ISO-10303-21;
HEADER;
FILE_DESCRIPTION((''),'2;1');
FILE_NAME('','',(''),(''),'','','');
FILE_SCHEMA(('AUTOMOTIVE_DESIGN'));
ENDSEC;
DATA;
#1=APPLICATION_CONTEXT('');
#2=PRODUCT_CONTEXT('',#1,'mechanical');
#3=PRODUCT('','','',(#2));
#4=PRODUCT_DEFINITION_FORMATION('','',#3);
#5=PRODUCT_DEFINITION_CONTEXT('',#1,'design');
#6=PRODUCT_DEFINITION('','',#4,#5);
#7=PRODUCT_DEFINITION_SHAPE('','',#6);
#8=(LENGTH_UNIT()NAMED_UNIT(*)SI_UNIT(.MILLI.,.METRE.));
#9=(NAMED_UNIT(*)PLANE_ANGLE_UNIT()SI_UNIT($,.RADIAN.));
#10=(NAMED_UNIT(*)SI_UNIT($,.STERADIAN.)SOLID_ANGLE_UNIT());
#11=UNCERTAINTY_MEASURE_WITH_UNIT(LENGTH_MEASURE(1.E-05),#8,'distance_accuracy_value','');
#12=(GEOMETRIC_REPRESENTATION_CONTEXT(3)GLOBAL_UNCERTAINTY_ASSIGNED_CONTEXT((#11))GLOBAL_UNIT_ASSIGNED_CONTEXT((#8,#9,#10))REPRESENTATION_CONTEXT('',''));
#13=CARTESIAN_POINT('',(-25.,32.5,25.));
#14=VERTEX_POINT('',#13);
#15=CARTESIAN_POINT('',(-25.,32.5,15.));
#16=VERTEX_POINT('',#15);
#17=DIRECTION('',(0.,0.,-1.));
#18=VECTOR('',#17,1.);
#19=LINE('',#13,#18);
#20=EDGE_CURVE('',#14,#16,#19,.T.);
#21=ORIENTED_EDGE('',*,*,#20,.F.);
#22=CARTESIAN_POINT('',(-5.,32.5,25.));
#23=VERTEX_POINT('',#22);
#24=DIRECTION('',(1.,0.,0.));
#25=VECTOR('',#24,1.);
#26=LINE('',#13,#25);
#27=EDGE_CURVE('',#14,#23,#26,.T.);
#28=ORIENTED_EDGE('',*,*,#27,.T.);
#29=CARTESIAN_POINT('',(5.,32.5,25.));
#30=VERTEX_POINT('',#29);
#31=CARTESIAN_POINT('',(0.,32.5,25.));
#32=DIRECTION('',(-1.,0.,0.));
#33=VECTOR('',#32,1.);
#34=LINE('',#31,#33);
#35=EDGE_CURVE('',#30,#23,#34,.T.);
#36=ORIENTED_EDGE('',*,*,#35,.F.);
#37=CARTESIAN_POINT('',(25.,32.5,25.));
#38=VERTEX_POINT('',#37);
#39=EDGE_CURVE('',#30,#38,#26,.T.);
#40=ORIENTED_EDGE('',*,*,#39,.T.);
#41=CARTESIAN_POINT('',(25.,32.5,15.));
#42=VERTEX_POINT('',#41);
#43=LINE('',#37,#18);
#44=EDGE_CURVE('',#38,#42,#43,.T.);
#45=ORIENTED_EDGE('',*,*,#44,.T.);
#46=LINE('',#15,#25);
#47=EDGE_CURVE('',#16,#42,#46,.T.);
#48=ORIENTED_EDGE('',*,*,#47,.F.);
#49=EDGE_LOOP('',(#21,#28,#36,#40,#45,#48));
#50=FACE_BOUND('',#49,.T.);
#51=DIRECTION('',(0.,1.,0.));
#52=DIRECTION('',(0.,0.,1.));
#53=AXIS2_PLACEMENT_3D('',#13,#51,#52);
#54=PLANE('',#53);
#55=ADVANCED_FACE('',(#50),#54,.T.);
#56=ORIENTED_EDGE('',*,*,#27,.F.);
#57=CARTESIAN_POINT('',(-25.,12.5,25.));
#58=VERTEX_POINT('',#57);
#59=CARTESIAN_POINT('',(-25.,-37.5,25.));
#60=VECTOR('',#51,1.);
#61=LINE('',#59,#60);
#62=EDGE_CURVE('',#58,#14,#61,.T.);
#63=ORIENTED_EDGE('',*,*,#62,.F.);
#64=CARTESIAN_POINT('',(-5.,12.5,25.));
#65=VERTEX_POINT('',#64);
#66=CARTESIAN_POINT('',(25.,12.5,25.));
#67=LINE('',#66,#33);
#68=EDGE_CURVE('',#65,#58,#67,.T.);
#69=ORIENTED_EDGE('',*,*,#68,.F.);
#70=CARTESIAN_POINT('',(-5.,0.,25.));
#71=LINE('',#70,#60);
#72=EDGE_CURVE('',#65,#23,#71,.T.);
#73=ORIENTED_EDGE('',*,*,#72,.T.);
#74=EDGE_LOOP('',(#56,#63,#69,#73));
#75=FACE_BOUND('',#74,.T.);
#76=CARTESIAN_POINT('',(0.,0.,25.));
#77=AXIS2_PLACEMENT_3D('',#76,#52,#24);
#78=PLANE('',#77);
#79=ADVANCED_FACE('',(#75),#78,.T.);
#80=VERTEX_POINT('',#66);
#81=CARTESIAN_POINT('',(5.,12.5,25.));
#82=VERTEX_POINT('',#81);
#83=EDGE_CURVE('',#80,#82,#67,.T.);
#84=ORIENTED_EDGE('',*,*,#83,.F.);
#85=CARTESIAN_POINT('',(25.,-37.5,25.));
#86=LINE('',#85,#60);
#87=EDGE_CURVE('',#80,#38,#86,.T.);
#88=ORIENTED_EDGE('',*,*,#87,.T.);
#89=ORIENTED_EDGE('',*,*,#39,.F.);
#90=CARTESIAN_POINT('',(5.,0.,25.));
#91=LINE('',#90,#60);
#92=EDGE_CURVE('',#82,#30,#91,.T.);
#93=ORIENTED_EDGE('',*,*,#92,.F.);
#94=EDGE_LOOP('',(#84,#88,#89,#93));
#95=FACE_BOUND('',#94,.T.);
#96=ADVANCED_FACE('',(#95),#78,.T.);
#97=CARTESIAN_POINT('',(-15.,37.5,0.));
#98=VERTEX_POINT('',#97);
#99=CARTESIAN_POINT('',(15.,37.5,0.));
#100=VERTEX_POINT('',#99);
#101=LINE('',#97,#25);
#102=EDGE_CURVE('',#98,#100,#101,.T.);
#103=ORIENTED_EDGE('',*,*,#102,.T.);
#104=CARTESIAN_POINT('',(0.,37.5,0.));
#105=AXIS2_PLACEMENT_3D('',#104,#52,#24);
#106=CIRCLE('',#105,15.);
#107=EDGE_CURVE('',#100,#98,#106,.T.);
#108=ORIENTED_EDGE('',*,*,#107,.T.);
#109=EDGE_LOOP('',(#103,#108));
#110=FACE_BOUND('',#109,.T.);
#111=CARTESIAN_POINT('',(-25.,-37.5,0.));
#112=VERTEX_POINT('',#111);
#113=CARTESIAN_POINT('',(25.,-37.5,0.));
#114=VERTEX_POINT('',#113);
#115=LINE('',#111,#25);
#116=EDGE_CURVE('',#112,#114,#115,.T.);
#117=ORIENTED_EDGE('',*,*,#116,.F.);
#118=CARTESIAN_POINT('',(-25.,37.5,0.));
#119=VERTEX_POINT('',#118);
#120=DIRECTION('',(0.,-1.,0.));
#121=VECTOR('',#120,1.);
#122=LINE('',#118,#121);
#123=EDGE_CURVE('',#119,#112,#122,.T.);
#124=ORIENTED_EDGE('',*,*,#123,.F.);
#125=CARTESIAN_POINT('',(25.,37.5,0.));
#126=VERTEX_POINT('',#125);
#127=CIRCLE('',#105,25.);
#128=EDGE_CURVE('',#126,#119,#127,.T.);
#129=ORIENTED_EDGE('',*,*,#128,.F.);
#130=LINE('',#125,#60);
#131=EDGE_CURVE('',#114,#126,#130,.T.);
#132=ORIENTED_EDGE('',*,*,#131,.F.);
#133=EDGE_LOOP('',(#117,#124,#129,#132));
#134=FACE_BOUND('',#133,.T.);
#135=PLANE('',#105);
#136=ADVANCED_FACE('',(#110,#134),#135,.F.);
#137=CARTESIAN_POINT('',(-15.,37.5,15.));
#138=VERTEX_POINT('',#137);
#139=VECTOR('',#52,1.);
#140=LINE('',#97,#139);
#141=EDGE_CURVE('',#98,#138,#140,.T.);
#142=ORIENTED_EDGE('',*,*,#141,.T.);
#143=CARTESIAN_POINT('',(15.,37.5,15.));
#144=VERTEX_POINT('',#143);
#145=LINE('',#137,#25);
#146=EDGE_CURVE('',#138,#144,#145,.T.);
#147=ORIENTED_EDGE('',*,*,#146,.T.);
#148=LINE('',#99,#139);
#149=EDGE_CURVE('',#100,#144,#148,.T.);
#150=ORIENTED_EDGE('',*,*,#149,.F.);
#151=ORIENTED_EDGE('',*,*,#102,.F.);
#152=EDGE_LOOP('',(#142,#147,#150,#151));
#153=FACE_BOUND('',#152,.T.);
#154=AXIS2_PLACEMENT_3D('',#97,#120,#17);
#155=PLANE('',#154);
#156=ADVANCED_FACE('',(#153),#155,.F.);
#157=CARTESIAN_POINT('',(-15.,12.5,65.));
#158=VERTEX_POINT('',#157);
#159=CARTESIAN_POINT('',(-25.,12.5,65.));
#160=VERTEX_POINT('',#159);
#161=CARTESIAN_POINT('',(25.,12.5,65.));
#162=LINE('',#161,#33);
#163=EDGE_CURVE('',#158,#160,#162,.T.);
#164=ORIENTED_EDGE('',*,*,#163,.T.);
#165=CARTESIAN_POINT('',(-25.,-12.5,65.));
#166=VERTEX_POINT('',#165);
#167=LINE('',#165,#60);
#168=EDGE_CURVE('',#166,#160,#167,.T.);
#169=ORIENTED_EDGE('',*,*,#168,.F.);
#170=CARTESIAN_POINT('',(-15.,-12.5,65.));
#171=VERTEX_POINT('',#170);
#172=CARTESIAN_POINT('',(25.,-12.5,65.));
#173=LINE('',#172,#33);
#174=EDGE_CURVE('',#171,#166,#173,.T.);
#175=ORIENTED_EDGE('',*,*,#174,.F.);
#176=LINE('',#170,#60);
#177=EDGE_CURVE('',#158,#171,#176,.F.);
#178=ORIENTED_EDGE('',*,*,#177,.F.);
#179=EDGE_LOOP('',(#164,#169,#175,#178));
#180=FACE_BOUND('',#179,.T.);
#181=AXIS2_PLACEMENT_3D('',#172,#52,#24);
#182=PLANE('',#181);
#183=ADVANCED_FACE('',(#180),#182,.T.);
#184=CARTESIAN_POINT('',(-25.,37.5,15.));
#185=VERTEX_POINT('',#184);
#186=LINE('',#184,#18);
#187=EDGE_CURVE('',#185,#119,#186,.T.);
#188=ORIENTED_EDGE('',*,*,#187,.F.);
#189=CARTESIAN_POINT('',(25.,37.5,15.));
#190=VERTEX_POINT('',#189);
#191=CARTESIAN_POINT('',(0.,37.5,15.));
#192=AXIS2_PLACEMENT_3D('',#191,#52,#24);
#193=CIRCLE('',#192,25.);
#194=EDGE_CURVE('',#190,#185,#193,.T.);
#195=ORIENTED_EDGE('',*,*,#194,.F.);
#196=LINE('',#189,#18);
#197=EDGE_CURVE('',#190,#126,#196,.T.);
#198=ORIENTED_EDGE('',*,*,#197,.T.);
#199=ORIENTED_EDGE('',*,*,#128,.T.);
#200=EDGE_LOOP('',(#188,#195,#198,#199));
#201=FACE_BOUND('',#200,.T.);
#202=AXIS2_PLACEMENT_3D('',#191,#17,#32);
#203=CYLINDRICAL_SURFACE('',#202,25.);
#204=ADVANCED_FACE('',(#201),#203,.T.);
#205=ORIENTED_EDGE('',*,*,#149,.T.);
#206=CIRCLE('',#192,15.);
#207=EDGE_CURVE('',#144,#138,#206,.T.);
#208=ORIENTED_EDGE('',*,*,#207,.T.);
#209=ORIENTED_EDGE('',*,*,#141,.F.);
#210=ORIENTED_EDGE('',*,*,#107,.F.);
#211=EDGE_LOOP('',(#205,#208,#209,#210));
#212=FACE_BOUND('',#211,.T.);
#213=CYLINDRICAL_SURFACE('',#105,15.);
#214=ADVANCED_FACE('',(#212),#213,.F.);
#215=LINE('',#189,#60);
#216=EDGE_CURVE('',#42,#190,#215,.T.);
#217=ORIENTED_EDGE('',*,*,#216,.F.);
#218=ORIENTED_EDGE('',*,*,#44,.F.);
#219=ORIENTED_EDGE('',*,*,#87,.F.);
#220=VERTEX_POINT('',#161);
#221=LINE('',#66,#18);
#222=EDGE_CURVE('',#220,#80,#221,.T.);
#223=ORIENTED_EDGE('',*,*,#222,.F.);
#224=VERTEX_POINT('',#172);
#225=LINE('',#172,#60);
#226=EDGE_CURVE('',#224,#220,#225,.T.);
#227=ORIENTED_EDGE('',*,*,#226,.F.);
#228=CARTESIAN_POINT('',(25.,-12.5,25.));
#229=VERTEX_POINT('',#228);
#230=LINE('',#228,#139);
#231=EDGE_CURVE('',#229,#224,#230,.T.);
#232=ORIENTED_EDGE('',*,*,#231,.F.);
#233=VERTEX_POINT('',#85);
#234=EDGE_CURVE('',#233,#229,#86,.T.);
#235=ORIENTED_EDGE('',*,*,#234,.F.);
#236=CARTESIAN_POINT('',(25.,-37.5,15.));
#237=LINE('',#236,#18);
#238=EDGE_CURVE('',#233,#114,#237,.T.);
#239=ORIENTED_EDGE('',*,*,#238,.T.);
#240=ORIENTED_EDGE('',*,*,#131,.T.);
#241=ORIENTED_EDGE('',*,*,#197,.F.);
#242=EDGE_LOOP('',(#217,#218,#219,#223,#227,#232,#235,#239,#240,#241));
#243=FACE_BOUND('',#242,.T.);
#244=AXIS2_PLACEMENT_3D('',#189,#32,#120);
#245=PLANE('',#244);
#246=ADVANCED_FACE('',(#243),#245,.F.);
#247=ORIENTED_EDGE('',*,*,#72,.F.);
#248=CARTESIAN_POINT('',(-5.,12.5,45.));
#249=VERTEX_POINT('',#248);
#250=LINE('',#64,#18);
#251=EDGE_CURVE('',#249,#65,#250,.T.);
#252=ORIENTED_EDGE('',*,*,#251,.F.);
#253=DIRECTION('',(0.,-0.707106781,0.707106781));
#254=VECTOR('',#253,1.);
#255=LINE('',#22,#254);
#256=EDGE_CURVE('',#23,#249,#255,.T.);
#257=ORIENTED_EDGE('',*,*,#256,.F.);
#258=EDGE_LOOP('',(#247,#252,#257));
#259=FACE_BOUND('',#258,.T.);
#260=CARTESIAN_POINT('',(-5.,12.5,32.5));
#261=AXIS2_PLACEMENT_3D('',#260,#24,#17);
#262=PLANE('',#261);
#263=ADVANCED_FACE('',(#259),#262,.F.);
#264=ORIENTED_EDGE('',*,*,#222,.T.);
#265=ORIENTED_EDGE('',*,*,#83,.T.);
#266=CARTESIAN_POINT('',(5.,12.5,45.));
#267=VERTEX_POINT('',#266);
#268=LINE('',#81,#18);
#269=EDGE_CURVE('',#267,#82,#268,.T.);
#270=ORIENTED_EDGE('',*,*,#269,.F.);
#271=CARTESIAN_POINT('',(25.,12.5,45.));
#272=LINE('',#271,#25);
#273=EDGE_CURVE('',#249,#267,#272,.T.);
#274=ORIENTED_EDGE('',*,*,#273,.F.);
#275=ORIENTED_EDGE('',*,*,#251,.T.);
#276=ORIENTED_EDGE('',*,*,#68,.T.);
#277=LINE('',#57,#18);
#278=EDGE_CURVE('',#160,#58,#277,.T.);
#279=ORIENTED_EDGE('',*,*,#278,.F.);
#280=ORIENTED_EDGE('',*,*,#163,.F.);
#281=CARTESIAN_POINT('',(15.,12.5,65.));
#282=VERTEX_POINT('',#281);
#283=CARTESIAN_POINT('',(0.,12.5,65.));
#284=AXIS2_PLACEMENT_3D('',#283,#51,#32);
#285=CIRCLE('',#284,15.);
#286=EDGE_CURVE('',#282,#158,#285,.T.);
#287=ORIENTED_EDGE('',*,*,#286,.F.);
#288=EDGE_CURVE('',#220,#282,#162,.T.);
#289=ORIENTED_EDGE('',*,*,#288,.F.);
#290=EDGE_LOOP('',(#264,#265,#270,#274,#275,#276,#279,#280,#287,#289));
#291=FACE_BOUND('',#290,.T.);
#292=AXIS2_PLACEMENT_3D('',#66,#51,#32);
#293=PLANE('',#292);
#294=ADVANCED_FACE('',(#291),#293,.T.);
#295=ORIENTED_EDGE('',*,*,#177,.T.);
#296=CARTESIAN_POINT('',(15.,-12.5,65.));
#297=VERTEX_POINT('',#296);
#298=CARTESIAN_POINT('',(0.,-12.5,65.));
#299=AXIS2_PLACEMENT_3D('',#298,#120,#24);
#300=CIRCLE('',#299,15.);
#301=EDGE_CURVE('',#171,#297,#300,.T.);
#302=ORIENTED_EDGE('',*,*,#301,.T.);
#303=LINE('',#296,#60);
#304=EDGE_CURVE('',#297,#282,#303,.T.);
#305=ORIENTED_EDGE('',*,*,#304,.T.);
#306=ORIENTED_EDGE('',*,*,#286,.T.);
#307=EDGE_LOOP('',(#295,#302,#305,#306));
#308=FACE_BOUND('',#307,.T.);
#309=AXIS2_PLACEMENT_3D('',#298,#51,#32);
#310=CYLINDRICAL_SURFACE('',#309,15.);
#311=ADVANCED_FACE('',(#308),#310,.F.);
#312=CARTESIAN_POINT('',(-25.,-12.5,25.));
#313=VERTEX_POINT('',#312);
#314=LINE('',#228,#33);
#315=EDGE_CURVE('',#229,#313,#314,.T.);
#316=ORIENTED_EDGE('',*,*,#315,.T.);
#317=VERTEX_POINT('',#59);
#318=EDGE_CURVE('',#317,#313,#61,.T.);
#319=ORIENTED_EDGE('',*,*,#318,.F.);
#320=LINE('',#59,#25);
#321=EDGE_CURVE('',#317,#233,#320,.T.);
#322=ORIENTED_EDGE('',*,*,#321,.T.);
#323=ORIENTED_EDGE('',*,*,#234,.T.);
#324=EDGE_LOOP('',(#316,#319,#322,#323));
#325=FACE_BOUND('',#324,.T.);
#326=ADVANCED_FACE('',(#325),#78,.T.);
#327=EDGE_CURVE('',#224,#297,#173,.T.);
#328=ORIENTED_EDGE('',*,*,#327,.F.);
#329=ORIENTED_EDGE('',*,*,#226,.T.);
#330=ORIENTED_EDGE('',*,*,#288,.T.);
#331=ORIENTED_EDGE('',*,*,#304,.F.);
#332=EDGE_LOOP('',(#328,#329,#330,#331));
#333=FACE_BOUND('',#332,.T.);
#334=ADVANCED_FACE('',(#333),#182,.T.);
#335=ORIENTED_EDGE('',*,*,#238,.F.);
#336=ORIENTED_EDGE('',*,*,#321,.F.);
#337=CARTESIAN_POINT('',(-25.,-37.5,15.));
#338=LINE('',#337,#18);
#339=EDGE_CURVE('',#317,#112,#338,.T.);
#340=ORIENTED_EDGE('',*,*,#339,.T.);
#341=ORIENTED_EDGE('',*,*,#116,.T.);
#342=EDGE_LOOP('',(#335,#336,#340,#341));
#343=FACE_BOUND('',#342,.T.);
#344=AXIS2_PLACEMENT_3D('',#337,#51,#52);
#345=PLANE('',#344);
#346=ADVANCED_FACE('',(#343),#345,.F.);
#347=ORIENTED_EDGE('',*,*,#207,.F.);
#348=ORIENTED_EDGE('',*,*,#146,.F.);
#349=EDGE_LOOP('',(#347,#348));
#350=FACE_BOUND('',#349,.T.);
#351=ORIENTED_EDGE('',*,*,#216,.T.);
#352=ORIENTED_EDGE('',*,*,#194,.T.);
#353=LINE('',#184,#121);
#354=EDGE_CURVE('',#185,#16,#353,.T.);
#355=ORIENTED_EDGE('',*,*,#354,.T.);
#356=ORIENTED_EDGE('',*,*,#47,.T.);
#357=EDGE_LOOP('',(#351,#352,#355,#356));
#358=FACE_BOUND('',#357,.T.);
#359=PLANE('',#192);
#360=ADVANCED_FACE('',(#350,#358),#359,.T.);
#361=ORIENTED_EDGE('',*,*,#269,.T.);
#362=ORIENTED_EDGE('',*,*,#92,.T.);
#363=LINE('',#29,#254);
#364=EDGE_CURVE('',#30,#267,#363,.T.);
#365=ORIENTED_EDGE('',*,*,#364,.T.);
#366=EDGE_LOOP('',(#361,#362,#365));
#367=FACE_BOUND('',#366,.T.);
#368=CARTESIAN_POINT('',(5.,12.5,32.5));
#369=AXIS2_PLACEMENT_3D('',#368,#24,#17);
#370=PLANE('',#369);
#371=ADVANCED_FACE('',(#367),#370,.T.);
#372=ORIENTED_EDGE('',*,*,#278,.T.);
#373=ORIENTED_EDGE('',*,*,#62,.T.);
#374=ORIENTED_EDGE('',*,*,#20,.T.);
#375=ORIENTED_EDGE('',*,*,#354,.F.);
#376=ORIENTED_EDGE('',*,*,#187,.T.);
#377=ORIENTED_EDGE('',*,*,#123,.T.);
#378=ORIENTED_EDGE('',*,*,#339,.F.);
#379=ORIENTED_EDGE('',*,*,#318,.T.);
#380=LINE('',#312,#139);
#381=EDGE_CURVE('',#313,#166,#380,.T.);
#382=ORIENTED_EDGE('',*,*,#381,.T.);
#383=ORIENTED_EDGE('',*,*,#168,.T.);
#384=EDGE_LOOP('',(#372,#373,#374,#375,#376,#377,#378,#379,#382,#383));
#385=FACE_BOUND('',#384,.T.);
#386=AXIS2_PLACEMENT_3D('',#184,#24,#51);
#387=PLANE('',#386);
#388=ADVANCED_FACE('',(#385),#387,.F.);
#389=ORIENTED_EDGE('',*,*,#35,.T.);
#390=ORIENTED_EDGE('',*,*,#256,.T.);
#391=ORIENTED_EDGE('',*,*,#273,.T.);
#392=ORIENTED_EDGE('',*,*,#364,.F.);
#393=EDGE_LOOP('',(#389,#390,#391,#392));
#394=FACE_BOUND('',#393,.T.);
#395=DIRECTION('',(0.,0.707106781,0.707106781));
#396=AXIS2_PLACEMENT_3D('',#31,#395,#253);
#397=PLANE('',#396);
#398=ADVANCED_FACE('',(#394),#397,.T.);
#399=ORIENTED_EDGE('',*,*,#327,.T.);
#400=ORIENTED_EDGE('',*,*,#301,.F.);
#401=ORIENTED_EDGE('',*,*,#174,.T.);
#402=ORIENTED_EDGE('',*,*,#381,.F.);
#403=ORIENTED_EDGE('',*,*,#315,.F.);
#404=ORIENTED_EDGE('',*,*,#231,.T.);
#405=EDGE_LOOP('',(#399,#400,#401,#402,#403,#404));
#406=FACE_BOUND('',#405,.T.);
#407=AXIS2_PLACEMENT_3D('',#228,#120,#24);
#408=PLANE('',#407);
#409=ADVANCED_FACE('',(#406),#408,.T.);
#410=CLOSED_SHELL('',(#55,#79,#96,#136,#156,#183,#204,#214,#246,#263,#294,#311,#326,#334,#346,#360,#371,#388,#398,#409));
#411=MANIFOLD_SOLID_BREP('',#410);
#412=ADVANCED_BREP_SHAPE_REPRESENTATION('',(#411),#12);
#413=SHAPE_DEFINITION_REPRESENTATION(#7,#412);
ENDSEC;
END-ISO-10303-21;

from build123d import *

# Parameters (mm, degrees)
BOSS_EXTRUDE2_DEPTH = 15
CUT_EXTRUDE2_DEPTH  = 15
SKETCH5_W           = 50
SKETCH5_H           = 70
BOSS_EXTRUDE3_DEPTH = 10
SKETCH6_W           = 40
SKETCH6_H           = 25
BOSS_EXTRUDE4_DEPTH = 50
RIB1_REACH          = 95.575
SKETCH10_WALL_W     = 217.43394397
SKETCH10_WALL_H     = 10
SKETCH11_R          = 15
CUT_EXTRUDE3_DEPTH  = 25


with BuildPart() as part:
    # Sketch2 → Boss-Extrude2 (new body)
    with BuildSketch(Plane.XY):
        with BuildLine():
            Line((-25, 37.5), (-25, -37.5))
            Line((-25, -37.5), (25, -37.5))
            Line((25, -37.5), (25, 37.5))
            ThreePointArc((25, 37.5), (0, 62.5), (-25, 37.5))
        make_face()
    extrude(amount=BOSS_EXTRUDE2_DEPTH)

    # Sketch4 → Cut-Extrude2 (cut)
    with BuildSketch(Plane.XY.offset(15)):
        with BuildLine():
            Line((-15, 37.5), (15, 37.5))
            ThreePointArc((15, 37.5), (0, 52.5), (-15, 37.5))
        make_face()
    extrude(amount=-CUT_EXTRUDE2_DEPTH, mode=Mode.SUBTRACT)

    # Sketch5 → Boss-Extrude3 (add)
    with BuildSketch(Plane.XY.offset(15)):
        with Locations((0, -2.5)):
            Rectangle(SKETCH5_W, SKETCH5_H)
    extrude(amount=BOSS_EXTRUDE3_DEPTH)

    # Sketch6 → Boss-Extrude4 (add)
    with BuildSketch(Plane.ZY.offset(25)):
        with Locations((45, 0)):
            Rectangle(SKETCH6_W, SKETCH6_H)
    extrude(amount=-BOSS_EXTRUDE4_DEPTH)

    # Sketch10 wall → Rib1 (add, up to next)
    with BuildSketch(Plane(origin=(0, 22.5, 35), x_dir=(0, -0.707106781187, 0.707106781187), z_dir=(0, -0.707106781187, -0.707106781187)), mode=Mode.PRIVATE) as rib1_sk1:
        Rectangle(SKETCH10_WALL_W, SKETCH10_WALL_H)
    rib1_tool1 = extrude(rib1_sk1.sketch, amount=RIB1_REACH, mode=Mode.PRIVATE) - part.part
    add(rib1_tool1.solids().sort_by_distance((0, 22.5, 35))[0])

    # Sketch11 → Cut-Extrude3 (cut)
    with BuildSketch(Plane(origin=(0, 12.5, 0), x_dir=(1, 0, 0), z_dir=(0, 1, 0))):
        with Locations((0, -65)):
            Circle(SKETCH11_R)
    extrude(amount=-CUT_EXTRUDE3_DEPTH, mode=Mode.SUBTRACT)


solid = part.part
